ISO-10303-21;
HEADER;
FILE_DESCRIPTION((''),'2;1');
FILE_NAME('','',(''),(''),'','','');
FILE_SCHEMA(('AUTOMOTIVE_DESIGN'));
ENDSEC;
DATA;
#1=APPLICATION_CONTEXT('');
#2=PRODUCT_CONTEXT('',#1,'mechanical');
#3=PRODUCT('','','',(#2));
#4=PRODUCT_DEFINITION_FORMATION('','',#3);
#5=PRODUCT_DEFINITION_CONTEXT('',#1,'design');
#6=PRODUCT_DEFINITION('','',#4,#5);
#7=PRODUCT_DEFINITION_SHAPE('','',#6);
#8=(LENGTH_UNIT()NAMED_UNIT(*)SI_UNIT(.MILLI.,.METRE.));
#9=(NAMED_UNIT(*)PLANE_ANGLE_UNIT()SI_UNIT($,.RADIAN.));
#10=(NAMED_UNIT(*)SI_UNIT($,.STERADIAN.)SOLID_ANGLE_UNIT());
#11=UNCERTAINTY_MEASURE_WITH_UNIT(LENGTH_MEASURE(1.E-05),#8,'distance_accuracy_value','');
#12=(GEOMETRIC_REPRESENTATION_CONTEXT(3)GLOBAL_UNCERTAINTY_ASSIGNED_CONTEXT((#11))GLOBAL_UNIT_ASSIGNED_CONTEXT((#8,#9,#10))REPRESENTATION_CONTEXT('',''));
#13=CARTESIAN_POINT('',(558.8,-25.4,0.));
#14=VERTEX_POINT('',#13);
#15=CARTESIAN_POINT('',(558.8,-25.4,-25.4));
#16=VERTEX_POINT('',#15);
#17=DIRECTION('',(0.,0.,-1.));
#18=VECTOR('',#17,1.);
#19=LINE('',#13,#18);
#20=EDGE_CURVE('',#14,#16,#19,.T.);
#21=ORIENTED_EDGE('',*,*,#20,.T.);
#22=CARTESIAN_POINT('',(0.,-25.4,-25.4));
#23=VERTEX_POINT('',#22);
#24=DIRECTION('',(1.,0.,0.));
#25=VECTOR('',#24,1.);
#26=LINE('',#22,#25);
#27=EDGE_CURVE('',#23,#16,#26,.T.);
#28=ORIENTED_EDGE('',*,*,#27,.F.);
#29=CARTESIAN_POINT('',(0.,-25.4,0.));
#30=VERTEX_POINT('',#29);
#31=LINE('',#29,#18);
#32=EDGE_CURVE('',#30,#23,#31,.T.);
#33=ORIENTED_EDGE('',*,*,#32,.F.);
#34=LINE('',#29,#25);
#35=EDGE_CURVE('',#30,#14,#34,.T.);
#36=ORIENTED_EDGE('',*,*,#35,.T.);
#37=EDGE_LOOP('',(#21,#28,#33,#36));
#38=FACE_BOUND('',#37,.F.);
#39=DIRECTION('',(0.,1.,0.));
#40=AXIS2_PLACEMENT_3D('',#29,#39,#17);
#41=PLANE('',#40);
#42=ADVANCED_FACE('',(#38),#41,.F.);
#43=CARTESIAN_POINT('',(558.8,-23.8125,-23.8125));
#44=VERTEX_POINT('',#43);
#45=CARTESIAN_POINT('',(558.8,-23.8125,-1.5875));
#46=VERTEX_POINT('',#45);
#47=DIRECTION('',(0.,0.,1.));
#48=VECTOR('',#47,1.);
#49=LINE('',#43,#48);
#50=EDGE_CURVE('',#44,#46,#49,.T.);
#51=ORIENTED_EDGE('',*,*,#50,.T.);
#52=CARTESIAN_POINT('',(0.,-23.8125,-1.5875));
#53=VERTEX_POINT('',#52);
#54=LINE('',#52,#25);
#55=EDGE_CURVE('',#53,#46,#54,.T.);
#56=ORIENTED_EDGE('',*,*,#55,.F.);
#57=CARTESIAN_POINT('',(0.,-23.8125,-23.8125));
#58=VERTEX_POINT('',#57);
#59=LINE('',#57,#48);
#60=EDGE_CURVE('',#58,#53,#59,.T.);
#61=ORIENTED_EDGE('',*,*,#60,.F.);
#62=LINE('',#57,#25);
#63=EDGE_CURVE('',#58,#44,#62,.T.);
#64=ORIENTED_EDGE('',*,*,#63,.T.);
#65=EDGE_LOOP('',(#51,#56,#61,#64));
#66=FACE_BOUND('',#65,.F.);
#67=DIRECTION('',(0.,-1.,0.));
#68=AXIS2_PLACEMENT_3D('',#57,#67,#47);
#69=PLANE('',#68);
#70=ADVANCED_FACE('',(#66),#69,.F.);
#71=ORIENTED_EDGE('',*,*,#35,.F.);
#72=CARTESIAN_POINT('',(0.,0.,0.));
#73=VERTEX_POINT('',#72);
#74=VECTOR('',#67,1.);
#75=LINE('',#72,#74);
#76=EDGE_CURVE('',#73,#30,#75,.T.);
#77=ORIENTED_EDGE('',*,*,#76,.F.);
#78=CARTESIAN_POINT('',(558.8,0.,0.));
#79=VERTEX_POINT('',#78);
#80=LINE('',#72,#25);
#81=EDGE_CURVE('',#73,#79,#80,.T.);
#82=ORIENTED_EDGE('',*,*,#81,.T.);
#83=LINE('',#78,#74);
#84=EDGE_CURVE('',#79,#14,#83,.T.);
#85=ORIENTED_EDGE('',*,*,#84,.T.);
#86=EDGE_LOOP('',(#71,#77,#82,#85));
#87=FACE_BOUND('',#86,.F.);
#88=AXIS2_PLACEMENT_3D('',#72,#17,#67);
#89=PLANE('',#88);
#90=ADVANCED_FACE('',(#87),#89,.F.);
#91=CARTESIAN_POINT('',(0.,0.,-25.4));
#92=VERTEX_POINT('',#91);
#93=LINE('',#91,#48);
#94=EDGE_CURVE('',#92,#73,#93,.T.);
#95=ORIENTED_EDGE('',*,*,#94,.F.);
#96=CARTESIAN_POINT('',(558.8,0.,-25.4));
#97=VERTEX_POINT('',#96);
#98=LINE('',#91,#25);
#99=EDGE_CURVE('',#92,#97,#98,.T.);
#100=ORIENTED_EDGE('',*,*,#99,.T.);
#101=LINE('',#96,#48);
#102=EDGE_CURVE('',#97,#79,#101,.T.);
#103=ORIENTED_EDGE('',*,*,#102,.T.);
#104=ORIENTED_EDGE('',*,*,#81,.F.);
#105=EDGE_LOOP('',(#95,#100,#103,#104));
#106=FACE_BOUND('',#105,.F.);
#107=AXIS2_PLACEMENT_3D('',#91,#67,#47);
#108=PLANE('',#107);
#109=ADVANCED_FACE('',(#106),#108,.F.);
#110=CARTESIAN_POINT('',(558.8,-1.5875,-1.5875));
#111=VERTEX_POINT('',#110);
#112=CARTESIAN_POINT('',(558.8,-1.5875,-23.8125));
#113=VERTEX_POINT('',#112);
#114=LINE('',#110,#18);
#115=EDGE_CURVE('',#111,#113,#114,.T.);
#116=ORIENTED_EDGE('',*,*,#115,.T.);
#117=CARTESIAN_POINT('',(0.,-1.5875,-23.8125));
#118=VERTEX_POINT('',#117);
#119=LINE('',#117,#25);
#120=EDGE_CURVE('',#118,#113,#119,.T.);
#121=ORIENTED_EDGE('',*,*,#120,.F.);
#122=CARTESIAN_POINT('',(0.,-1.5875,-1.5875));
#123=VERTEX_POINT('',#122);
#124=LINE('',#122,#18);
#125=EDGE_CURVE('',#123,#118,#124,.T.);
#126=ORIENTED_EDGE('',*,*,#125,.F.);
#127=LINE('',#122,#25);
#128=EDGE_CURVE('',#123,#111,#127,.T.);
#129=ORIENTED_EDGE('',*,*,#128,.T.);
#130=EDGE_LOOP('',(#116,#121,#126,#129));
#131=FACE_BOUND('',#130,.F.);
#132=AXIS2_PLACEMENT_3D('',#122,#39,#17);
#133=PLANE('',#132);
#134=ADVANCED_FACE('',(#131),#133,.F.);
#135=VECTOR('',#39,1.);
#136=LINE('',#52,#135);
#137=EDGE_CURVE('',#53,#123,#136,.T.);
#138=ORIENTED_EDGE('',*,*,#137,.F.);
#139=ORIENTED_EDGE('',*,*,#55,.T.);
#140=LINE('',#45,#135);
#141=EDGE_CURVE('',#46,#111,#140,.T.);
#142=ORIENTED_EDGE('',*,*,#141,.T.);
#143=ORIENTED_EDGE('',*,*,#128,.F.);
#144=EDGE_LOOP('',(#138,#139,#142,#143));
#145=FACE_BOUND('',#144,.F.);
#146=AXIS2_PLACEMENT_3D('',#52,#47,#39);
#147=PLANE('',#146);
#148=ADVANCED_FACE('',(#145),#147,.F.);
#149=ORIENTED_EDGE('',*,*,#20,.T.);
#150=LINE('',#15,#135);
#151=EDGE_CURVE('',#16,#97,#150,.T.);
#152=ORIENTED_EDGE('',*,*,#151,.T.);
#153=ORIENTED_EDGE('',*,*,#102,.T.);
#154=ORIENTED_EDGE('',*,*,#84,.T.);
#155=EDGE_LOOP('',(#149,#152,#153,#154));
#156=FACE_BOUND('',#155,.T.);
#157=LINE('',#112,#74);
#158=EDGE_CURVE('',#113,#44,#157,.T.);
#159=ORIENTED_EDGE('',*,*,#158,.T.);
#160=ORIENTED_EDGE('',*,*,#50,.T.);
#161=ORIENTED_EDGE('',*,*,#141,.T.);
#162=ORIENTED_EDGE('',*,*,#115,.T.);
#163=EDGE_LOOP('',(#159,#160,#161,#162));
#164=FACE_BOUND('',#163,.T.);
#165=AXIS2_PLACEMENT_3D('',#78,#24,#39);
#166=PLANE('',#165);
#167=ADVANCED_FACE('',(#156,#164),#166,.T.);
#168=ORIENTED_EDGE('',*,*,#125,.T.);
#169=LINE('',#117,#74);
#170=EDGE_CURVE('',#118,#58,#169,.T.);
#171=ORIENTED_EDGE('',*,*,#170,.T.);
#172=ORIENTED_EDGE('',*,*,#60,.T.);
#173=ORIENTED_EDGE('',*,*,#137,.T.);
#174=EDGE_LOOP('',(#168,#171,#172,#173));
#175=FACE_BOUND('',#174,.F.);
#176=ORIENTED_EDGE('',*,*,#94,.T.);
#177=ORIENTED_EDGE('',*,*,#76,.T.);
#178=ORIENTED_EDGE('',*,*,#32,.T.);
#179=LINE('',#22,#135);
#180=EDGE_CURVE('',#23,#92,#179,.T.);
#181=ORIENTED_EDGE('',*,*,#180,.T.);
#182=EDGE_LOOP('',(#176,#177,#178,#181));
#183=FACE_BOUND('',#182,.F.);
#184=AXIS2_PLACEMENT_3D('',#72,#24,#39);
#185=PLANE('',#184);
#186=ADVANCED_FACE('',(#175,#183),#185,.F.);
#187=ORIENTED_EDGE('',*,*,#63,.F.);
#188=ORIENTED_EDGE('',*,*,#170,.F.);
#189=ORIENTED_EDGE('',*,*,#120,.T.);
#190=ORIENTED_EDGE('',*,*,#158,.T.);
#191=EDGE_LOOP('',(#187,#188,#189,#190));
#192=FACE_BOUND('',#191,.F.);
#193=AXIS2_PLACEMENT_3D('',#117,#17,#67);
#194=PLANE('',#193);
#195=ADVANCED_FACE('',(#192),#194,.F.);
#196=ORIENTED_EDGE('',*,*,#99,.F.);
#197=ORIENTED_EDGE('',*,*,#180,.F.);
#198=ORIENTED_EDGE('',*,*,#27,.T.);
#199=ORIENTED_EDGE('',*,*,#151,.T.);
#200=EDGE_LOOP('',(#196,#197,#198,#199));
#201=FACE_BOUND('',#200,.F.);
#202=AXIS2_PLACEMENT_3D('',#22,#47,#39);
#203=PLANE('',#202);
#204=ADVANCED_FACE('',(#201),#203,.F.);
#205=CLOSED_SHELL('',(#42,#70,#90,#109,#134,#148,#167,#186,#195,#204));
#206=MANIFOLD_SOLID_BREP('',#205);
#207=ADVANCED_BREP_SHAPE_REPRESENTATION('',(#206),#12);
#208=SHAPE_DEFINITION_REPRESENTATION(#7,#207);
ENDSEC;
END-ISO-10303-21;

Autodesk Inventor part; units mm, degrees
ref_plane "YZ Plane" through (0, 0, 0) normal (1, 0, 0) x (0, 1, 0)
ref_plane "XZ Plane" through (0, 0, 0) normal (0, 1, 0) x (-1, 0, 0)
ref_plane "XY Plane" through (0, 0, 0) normal (0, 0, 1) x (1, 0, 0)
sketch "Sketch1" plane through (0, 0, 0) normal (1, 0, 0) x (0, 1, 0)
  line L0 (0, 0) -> (-25.4, 0)
  line L1 (-25.4, 0) -> (-25.4, -25.4)
  line L2 (-25.4, -25.4) -> (0, -25.4)
  line L3 (0, -25.4) -> (0, 0)
  line L4 (-1.5875, -23.8125) -> (-23.8125, -23.8125)
  line L5 (-23.8125, -23.8125) -> (-23.8125, -1.5875)
  line L6 (-23.8125, -1.5875) -> (-1.5875, -1.5875)
  line L7 (-1.5875, -1.5875) -> (-1.5875, -23.8125)
  point P0 (-12.7, -23.8125)
  point P1 (-12.7, -25.4)
  point P2 (-23.8125, -12.7)
  point P3 (-1.5875, -12.7)
  dimension "d0" = 25.4
  dimension "d1" = 25.4
  dimension "d2" = 1.5875
  dimension "d3" = 1.5875
  dimension "d4" = 1.5875
  dimension "d5" = 1.5875
extrude "Extrusion1" add sketch "Sketch1" along normal blind 558.8
properties part number "44.92cmTube" material "Aluminum 6061"
